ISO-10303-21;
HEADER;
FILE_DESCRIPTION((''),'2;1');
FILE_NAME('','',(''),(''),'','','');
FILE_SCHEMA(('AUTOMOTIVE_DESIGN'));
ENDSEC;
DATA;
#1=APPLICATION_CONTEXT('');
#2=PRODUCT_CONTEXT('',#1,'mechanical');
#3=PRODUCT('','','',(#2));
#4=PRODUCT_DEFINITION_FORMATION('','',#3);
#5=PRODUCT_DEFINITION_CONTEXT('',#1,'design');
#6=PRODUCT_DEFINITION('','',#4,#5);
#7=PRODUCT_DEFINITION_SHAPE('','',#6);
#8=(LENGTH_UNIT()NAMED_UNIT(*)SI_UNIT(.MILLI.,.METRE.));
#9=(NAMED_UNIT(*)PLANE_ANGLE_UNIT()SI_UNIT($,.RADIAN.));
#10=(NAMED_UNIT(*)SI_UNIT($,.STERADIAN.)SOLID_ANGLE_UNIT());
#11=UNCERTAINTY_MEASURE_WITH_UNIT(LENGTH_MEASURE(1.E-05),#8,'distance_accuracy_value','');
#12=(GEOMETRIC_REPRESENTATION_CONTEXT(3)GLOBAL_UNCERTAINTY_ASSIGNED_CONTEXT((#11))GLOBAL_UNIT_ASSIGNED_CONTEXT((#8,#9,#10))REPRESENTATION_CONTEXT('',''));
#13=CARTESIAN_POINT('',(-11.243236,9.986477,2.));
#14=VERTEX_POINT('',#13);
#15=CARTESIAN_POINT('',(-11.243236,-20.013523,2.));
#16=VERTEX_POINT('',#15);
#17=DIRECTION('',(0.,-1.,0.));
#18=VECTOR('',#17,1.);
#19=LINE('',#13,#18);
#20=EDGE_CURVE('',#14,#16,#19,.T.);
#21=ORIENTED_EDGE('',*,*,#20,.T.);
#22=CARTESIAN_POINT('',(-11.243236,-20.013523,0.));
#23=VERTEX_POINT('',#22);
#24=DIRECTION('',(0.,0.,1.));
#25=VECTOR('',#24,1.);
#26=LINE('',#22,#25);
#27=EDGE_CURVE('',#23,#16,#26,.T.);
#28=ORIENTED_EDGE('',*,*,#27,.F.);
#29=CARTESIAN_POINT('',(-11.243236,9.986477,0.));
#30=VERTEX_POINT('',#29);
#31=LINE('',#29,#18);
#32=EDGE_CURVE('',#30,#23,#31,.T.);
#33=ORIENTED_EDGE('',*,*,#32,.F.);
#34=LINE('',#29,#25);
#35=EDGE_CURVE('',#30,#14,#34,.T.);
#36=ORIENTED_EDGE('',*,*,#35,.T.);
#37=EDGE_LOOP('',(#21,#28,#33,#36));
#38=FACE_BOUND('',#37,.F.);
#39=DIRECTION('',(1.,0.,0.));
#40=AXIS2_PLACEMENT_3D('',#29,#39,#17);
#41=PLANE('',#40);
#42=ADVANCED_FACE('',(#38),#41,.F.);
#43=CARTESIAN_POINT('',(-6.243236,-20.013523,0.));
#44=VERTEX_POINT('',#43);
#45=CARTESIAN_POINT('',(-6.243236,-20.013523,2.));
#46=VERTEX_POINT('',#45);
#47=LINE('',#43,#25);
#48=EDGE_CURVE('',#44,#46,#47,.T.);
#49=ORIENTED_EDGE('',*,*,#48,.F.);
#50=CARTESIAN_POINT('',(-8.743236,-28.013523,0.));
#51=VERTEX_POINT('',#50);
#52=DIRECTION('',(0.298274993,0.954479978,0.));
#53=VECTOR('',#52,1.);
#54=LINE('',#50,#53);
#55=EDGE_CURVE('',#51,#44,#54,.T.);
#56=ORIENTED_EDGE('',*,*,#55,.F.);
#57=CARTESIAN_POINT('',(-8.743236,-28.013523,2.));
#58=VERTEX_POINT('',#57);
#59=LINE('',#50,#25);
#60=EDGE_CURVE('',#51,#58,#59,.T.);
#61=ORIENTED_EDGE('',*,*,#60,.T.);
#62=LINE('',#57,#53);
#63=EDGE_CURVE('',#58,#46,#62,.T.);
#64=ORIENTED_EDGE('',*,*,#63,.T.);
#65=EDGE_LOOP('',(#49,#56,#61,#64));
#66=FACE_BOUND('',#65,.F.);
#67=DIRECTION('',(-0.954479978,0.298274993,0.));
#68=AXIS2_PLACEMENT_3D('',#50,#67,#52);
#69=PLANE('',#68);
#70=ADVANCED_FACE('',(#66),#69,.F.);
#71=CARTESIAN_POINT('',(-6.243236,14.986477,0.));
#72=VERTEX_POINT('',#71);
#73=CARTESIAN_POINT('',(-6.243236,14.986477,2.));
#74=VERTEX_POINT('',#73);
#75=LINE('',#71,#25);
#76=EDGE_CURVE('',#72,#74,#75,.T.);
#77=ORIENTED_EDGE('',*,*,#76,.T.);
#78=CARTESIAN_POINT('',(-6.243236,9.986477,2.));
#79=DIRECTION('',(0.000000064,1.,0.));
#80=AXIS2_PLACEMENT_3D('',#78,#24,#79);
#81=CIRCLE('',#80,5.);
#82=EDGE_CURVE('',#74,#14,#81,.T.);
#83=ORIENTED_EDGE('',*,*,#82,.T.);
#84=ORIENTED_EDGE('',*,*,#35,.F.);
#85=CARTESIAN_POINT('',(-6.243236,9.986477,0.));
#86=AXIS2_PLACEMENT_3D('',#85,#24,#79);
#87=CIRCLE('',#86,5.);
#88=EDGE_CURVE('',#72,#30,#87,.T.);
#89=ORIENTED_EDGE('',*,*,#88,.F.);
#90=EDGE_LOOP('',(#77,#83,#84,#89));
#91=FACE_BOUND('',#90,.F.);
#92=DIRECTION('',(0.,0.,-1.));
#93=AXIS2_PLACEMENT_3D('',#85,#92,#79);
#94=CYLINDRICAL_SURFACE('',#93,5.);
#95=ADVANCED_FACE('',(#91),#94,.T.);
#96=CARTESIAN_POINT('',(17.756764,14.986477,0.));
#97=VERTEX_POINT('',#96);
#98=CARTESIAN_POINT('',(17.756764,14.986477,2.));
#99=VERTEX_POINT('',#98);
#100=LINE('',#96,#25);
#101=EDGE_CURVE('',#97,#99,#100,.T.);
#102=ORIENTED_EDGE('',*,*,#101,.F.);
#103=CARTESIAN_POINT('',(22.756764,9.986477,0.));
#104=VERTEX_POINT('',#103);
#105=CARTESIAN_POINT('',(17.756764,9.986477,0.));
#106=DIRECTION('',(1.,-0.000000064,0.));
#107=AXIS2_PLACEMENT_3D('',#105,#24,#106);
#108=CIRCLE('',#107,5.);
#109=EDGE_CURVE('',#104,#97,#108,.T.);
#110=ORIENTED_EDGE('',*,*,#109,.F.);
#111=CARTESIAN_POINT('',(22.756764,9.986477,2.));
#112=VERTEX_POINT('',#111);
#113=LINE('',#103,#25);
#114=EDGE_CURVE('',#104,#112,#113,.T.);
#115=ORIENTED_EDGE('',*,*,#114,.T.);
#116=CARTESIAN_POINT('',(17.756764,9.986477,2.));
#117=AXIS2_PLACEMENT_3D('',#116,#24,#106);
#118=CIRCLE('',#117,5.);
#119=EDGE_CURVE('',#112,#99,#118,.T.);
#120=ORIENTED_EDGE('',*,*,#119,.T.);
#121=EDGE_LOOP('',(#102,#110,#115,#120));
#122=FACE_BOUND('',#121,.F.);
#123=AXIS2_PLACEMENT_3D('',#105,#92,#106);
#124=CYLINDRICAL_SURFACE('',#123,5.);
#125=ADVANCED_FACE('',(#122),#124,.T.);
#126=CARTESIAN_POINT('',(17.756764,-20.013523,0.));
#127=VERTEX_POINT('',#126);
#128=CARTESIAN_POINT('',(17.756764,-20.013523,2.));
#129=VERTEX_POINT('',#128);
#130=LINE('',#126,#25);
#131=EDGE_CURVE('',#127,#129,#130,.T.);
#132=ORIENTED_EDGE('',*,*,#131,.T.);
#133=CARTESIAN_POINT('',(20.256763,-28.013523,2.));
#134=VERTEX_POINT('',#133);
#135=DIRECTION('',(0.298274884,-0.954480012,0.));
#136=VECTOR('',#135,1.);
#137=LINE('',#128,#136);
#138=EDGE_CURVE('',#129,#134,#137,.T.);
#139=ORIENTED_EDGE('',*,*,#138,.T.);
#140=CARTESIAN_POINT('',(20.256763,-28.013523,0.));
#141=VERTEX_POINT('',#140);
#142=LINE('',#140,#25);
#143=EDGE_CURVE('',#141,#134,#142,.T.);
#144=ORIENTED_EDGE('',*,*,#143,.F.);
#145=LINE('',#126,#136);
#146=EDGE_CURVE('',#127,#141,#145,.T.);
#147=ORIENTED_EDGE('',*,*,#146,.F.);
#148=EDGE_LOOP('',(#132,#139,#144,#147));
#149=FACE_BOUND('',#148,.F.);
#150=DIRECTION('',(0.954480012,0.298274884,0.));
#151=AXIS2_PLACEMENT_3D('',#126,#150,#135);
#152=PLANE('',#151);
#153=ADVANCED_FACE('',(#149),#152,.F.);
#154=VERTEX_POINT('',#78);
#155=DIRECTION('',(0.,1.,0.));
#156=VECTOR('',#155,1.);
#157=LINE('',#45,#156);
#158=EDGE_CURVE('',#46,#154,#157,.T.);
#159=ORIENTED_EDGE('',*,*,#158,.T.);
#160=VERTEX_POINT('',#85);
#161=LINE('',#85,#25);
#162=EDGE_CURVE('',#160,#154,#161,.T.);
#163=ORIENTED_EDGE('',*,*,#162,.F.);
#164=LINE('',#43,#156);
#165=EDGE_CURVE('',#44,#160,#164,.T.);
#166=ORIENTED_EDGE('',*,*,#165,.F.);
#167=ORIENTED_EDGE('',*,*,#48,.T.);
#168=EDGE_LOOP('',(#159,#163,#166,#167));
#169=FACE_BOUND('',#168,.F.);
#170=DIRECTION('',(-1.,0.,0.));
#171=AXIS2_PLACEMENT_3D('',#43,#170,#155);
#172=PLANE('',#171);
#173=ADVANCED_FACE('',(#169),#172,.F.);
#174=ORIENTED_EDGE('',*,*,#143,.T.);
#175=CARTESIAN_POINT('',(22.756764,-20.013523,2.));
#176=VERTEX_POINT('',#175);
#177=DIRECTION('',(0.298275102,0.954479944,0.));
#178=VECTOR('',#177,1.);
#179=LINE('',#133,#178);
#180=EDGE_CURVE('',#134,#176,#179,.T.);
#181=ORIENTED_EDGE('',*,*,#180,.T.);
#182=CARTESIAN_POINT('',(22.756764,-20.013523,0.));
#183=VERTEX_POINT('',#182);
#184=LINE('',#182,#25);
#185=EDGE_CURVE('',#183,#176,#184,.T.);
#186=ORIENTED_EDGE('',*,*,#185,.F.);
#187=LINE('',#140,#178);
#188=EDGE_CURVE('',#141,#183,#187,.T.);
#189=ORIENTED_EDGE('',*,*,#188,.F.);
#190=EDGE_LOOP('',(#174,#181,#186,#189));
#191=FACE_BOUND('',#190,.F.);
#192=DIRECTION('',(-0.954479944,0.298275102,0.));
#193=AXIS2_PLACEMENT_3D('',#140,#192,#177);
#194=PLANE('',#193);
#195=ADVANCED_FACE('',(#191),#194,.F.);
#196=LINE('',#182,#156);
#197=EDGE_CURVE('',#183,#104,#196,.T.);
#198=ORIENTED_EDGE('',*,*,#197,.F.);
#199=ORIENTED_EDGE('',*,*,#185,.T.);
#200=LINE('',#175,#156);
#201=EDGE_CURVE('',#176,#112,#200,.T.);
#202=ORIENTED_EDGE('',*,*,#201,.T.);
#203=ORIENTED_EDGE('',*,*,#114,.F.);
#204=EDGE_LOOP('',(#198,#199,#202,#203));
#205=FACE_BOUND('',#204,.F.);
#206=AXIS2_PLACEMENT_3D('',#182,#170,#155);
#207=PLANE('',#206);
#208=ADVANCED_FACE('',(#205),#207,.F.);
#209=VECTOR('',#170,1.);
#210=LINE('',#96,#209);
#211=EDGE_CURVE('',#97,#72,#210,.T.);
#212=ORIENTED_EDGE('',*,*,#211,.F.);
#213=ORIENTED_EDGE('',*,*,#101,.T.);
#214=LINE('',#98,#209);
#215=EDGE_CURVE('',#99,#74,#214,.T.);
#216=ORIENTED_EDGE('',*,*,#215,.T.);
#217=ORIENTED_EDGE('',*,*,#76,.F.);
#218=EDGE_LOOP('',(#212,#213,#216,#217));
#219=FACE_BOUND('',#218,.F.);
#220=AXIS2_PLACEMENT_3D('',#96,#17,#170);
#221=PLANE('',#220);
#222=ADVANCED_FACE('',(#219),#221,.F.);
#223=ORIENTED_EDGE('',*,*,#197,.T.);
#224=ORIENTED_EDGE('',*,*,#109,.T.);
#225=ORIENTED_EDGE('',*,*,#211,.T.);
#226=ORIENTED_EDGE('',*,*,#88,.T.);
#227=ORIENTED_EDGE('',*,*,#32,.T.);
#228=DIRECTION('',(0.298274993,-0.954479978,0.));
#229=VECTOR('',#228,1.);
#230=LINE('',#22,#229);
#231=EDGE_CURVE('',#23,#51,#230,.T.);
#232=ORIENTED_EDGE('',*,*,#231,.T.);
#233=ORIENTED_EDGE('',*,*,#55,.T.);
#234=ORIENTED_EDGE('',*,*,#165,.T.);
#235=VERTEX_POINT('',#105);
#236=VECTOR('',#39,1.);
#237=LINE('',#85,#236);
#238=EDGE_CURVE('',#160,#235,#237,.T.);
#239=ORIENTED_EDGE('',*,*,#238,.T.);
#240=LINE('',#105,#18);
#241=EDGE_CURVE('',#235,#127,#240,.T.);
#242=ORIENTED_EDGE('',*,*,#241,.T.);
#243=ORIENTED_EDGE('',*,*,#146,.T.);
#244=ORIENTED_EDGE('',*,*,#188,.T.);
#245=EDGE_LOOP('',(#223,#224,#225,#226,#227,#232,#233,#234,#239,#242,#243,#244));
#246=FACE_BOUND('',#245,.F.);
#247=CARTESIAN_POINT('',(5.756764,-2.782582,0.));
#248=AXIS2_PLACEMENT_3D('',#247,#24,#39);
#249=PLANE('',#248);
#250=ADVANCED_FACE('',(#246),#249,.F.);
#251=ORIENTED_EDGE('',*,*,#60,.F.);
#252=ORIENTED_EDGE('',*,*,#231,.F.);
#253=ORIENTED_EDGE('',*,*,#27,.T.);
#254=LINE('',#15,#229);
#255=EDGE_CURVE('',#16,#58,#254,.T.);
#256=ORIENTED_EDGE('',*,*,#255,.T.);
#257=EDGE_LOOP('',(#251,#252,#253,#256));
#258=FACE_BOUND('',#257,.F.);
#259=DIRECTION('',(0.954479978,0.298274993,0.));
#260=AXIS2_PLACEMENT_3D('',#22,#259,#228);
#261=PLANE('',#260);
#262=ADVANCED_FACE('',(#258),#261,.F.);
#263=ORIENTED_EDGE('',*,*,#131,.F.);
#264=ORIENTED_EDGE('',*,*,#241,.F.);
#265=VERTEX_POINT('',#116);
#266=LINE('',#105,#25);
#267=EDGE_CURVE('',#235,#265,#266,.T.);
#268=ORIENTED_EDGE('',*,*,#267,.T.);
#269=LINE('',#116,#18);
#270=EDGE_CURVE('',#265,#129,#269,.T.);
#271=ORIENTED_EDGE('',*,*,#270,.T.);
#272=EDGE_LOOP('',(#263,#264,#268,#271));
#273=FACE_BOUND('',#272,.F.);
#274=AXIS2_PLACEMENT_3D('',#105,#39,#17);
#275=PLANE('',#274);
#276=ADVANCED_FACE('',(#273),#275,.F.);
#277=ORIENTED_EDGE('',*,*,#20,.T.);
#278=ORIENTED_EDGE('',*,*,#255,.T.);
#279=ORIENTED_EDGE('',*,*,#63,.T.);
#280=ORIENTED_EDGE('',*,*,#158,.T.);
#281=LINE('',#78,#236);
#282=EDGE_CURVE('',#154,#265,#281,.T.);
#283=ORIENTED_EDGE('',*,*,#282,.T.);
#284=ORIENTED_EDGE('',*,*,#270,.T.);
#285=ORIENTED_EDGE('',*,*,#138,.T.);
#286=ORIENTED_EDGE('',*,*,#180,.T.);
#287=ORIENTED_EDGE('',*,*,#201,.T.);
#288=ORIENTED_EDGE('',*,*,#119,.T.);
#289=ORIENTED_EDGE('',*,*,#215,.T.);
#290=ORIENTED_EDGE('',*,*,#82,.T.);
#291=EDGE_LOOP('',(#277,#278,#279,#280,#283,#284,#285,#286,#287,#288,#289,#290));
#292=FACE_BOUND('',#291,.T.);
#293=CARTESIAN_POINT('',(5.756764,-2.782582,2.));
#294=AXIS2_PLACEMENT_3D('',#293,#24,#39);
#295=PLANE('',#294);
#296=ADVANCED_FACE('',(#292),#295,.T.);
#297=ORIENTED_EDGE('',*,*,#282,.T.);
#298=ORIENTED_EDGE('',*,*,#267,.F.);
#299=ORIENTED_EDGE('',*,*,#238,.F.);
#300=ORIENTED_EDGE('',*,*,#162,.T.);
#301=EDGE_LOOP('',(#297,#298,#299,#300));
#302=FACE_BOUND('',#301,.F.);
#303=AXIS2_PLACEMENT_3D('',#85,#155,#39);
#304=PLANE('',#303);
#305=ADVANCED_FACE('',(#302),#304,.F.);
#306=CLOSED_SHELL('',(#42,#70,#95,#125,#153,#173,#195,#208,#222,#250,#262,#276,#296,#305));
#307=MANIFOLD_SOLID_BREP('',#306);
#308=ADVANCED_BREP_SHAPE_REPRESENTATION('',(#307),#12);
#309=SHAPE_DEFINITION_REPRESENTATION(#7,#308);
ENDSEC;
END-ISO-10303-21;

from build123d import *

# Parameters (mm, degrees)
F1_DEPTH = 2


with BuildPart() as f1:
    # F0 (on Top) → F1 (new body)
    with BuildSketch(Plane.XY):
        with BuildLine():
            Line((-11.243236, 9.986477), (-11.243236, -20.013523))
            Line((-11.243236, -20.013523), (-8.743236, -28.013523))
            Line((-8.743236, -28.013523), (-6.243236, -20.013523))
            Line((-6.243236, -20.013523), (-6.243236, 9.986477))
            Line((-6.243236, 9.986477), (17.756764, 9.986477))
            Line((17.756764, 9.986477), (17.756764, -20.013523))
            Line((17.756764, -20.013523), (20.256763, -28.013523))
            Line((20.256763, -28.013523), (22.756764, -20.013523))
            Line((22.756764, -20.013523), (22.756764, 9.986477))
            ThreePointArc((22.756764, 9.986477), (21.292298, 13.522011), (17.756764, 14.986477))
            Line((17.756764, 14.986477), (-6.243236, 14.986477))
            ThreePointArc((-6.243236, 14.986477), (-9.77877, 13.522011), (-11.243236, 9.986477))
        make_face()
    extrude(amount=F1_DEPTH)


solid = f1.part
